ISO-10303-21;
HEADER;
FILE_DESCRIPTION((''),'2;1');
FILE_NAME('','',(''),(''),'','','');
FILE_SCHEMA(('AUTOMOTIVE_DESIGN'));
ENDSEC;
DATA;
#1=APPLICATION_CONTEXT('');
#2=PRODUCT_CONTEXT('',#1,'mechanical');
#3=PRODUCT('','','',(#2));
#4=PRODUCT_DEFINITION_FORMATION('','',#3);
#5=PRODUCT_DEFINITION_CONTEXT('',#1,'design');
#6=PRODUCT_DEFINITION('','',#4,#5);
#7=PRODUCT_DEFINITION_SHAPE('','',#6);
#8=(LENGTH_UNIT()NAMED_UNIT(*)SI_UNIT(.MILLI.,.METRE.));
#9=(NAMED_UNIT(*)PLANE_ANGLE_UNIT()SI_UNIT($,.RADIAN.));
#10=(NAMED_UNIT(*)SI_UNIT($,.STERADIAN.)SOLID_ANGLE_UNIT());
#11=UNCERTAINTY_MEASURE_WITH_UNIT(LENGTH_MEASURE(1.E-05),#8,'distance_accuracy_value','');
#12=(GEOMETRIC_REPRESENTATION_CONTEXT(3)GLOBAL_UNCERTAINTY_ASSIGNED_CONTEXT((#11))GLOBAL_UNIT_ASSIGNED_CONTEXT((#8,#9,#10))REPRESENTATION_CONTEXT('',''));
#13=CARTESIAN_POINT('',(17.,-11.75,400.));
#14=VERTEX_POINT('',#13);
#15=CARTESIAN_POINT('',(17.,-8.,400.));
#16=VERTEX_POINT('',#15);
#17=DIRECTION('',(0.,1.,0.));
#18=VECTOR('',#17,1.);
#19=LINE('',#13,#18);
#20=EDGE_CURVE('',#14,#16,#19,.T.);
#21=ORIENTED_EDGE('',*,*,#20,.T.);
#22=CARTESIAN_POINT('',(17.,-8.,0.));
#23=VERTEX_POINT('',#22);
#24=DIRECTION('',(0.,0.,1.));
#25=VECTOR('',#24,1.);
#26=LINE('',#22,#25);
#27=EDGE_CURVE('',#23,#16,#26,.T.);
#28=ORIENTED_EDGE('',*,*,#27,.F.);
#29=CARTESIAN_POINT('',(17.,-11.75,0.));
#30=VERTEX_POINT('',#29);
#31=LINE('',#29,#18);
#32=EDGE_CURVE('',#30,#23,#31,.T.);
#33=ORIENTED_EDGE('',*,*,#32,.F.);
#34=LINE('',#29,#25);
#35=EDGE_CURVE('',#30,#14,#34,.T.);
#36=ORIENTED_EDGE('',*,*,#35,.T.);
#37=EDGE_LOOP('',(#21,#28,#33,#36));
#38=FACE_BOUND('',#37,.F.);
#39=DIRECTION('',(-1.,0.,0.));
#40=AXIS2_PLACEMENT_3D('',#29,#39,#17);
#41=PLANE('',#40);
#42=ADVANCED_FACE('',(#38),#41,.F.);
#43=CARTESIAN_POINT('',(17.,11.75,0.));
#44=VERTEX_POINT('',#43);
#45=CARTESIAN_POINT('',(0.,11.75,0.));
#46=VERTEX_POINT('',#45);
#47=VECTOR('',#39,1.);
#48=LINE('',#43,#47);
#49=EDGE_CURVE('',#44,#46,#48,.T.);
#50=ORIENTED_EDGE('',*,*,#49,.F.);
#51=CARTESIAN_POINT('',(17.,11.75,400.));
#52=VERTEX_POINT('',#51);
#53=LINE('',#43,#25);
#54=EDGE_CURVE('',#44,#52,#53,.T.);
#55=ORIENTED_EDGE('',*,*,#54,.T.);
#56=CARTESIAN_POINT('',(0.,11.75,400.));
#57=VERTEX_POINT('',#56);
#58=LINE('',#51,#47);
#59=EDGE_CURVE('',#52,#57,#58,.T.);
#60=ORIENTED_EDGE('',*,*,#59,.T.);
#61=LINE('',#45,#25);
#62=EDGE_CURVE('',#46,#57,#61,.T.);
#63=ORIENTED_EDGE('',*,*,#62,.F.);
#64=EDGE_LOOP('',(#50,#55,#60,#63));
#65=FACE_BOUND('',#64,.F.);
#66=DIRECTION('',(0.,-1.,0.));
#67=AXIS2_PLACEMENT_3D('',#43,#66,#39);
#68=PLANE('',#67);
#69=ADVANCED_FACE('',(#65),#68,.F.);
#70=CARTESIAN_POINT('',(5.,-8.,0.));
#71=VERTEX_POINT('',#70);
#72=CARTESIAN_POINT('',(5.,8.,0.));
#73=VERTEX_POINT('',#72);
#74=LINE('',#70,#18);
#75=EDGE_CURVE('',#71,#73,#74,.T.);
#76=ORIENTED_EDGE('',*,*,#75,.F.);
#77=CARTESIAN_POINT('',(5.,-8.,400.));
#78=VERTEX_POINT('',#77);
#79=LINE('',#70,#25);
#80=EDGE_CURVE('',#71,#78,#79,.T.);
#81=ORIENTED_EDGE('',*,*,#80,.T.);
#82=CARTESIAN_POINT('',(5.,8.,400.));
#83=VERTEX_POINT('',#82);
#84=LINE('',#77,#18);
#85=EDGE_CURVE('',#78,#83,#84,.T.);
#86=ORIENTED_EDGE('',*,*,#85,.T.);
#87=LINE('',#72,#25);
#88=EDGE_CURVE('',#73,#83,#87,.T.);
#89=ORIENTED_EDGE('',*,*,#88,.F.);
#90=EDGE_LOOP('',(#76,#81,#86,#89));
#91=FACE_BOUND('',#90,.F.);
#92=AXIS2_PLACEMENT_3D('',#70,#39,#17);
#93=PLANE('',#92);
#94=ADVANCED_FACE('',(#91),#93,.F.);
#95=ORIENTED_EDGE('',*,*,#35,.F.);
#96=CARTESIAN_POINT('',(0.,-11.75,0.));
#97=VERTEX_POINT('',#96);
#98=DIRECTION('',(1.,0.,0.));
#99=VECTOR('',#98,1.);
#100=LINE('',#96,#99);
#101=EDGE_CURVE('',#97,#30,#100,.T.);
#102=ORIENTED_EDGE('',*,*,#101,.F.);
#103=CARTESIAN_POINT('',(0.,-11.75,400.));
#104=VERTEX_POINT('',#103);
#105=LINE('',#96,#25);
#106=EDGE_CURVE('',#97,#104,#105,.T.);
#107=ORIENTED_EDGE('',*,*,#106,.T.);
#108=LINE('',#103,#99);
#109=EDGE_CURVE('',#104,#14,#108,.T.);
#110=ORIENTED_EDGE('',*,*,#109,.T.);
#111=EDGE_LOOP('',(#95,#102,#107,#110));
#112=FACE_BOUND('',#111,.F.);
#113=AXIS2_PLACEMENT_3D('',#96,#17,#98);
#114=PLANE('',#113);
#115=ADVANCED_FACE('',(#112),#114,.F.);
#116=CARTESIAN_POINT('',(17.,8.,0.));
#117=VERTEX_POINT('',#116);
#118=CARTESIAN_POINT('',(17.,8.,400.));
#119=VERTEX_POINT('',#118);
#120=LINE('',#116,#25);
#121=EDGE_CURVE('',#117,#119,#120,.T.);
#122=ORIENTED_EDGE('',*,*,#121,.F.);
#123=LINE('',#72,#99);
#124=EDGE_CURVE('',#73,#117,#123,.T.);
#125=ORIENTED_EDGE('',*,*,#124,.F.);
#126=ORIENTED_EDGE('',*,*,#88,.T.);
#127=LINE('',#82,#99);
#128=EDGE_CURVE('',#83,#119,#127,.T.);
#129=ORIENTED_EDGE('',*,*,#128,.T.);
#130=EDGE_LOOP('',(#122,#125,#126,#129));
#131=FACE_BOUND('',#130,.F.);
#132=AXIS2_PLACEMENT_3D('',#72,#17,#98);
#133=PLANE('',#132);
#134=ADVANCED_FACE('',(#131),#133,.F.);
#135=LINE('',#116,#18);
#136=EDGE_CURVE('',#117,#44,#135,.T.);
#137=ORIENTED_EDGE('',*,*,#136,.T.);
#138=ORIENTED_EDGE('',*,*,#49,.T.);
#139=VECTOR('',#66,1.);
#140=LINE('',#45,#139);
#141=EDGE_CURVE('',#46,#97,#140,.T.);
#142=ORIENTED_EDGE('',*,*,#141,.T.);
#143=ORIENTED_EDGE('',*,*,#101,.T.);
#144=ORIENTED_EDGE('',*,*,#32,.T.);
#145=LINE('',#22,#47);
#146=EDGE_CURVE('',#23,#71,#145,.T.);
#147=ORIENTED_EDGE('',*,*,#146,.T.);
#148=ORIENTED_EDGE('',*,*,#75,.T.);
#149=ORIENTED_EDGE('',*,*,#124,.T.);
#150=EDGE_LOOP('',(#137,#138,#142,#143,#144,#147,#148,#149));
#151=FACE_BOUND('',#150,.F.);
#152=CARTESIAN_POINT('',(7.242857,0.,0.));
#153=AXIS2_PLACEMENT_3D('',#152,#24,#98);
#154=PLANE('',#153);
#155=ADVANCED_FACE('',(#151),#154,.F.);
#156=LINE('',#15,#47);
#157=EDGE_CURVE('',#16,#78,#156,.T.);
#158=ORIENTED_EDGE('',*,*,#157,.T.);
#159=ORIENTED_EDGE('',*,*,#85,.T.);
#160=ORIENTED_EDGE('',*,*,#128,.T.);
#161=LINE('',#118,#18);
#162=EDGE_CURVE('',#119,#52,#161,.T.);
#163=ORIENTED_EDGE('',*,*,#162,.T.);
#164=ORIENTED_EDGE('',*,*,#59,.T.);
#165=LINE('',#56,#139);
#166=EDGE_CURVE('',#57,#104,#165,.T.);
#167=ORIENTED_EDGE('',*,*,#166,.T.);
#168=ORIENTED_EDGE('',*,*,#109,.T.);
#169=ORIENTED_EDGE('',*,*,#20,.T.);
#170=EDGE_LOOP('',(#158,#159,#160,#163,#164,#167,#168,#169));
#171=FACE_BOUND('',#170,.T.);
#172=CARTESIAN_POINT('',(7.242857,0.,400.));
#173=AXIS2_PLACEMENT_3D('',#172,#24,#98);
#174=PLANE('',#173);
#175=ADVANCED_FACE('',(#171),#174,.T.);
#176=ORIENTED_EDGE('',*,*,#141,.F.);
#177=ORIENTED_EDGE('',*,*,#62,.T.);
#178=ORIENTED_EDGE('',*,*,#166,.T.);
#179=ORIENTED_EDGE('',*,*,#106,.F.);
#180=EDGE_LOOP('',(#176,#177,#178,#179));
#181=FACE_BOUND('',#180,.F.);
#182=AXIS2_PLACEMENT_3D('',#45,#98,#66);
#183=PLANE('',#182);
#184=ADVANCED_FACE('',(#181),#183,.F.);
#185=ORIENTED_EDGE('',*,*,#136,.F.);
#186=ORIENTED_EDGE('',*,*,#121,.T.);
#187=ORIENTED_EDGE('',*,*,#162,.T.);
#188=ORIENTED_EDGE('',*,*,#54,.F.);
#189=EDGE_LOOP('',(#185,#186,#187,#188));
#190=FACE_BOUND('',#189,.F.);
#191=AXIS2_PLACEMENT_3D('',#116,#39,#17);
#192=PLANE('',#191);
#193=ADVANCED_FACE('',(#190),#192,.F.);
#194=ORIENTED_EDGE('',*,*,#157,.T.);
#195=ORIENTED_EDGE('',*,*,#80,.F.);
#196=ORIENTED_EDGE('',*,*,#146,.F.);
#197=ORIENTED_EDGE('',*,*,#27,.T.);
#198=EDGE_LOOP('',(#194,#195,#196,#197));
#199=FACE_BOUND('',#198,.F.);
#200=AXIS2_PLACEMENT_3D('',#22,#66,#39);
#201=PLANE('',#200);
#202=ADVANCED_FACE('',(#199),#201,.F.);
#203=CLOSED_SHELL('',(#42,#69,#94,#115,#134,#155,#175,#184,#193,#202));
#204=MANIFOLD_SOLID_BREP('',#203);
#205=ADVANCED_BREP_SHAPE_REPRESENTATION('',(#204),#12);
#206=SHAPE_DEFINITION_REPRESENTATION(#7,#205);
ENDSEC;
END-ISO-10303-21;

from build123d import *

# Parameters (mm, degrees)
PAD_DEPTH = 400


with BuildPart() as part:
    # Sketch → Pad (new body)
    with BuildSketch(Plane.XY):
        Polygon((0, 11.75), (0, -11.75), (17, -11.75), (17, -8), (5, -8), (5, 8), (17, 8), (17, 11.75), align=None)
    extrude(amount=PAD_DEPTH)


solid = part.part
